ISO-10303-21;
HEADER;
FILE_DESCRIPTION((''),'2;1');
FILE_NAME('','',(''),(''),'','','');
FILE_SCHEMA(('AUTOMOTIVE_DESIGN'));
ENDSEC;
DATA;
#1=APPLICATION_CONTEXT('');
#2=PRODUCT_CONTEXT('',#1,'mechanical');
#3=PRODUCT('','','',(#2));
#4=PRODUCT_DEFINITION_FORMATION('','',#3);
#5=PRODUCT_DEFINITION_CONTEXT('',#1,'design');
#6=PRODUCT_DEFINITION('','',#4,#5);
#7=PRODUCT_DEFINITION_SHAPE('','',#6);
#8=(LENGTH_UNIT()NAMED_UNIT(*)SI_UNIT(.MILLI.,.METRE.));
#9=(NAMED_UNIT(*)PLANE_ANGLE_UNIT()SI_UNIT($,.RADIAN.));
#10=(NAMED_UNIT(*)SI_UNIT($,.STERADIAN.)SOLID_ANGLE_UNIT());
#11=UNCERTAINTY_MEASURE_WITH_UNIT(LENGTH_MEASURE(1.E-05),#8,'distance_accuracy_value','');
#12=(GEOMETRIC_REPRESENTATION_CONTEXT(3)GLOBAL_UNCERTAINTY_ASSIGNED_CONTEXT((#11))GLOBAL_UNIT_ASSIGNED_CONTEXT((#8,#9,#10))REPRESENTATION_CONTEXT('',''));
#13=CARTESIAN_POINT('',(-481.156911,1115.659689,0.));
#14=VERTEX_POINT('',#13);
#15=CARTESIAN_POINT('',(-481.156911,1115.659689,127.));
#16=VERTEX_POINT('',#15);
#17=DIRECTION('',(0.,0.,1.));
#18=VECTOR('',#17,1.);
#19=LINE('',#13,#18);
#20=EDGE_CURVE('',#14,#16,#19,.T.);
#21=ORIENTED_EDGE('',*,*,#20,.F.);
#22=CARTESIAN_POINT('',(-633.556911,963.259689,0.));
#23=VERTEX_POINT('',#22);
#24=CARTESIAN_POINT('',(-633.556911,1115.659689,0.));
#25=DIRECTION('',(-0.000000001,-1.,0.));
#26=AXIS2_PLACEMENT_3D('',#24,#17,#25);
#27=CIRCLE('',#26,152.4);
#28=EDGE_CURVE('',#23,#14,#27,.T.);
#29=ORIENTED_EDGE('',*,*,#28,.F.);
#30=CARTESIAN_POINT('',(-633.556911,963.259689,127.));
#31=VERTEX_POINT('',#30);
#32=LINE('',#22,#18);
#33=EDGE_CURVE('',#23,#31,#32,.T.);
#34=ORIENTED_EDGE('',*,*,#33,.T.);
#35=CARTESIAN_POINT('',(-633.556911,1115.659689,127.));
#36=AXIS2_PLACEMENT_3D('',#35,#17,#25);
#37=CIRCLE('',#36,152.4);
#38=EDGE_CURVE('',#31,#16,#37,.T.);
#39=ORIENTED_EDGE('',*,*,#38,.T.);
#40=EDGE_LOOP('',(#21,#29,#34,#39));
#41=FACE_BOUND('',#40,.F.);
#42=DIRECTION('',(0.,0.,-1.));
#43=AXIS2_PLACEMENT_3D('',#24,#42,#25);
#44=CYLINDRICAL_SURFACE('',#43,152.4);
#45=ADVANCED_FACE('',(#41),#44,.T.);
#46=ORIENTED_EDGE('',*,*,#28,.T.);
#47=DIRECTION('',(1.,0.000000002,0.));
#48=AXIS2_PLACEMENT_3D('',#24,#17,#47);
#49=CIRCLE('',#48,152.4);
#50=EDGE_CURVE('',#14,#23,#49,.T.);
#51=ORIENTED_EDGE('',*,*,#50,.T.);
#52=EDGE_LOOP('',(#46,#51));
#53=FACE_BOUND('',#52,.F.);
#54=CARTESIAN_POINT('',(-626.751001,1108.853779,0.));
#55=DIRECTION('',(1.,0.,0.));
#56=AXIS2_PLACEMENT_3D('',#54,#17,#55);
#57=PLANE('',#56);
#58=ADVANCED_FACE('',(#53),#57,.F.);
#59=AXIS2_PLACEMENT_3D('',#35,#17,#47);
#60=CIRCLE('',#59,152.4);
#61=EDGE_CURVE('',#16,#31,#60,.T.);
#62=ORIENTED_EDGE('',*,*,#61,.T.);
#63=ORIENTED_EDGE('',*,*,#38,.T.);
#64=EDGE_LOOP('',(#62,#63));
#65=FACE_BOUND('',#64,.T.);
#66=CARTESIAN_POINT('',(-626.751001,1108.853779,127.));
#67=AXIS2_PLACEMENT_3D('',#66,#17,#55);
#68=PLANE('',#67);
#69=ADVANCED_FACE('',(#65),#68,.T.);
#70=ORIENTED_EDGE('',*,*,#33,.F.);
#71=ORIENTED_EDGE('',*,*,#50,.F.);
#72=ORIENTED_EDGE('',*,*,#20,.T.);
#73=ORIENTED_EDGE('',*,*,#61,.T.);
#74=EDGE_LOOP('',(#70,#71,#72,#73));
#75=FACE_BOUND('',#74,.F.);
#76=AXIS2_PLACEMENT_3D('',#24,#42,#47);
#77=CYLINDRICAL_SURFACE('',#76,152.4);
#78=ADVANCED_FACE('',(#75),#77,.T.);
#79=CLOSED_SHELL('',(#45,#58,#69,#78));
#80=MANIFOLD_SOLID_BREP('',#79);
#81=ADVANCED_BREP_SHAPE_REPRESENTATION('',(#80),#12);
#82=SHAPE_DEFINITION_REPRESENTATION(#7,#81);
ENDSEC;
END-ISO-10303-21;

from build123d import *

# Parameters (mm, degrees)
F1_DEPTH = 127


with BuildPart() as f1:
    # F0 (on Top) → F1 (new body)
    with BuildSketch(Plane.XY):
        with BuildLine():
            ThreePointArc((-633.556911, 963.259689), (-525.793837, 1007.896616), (-481.156911, 1115.659689))
            ThreePointArc((-481.156911, 1115.659689), (-741.319984, 1223.422762), (-633.556911, 963.259689))
        make_face()
    extrude(amount=F1_DEPTH)


solid = f1.part
